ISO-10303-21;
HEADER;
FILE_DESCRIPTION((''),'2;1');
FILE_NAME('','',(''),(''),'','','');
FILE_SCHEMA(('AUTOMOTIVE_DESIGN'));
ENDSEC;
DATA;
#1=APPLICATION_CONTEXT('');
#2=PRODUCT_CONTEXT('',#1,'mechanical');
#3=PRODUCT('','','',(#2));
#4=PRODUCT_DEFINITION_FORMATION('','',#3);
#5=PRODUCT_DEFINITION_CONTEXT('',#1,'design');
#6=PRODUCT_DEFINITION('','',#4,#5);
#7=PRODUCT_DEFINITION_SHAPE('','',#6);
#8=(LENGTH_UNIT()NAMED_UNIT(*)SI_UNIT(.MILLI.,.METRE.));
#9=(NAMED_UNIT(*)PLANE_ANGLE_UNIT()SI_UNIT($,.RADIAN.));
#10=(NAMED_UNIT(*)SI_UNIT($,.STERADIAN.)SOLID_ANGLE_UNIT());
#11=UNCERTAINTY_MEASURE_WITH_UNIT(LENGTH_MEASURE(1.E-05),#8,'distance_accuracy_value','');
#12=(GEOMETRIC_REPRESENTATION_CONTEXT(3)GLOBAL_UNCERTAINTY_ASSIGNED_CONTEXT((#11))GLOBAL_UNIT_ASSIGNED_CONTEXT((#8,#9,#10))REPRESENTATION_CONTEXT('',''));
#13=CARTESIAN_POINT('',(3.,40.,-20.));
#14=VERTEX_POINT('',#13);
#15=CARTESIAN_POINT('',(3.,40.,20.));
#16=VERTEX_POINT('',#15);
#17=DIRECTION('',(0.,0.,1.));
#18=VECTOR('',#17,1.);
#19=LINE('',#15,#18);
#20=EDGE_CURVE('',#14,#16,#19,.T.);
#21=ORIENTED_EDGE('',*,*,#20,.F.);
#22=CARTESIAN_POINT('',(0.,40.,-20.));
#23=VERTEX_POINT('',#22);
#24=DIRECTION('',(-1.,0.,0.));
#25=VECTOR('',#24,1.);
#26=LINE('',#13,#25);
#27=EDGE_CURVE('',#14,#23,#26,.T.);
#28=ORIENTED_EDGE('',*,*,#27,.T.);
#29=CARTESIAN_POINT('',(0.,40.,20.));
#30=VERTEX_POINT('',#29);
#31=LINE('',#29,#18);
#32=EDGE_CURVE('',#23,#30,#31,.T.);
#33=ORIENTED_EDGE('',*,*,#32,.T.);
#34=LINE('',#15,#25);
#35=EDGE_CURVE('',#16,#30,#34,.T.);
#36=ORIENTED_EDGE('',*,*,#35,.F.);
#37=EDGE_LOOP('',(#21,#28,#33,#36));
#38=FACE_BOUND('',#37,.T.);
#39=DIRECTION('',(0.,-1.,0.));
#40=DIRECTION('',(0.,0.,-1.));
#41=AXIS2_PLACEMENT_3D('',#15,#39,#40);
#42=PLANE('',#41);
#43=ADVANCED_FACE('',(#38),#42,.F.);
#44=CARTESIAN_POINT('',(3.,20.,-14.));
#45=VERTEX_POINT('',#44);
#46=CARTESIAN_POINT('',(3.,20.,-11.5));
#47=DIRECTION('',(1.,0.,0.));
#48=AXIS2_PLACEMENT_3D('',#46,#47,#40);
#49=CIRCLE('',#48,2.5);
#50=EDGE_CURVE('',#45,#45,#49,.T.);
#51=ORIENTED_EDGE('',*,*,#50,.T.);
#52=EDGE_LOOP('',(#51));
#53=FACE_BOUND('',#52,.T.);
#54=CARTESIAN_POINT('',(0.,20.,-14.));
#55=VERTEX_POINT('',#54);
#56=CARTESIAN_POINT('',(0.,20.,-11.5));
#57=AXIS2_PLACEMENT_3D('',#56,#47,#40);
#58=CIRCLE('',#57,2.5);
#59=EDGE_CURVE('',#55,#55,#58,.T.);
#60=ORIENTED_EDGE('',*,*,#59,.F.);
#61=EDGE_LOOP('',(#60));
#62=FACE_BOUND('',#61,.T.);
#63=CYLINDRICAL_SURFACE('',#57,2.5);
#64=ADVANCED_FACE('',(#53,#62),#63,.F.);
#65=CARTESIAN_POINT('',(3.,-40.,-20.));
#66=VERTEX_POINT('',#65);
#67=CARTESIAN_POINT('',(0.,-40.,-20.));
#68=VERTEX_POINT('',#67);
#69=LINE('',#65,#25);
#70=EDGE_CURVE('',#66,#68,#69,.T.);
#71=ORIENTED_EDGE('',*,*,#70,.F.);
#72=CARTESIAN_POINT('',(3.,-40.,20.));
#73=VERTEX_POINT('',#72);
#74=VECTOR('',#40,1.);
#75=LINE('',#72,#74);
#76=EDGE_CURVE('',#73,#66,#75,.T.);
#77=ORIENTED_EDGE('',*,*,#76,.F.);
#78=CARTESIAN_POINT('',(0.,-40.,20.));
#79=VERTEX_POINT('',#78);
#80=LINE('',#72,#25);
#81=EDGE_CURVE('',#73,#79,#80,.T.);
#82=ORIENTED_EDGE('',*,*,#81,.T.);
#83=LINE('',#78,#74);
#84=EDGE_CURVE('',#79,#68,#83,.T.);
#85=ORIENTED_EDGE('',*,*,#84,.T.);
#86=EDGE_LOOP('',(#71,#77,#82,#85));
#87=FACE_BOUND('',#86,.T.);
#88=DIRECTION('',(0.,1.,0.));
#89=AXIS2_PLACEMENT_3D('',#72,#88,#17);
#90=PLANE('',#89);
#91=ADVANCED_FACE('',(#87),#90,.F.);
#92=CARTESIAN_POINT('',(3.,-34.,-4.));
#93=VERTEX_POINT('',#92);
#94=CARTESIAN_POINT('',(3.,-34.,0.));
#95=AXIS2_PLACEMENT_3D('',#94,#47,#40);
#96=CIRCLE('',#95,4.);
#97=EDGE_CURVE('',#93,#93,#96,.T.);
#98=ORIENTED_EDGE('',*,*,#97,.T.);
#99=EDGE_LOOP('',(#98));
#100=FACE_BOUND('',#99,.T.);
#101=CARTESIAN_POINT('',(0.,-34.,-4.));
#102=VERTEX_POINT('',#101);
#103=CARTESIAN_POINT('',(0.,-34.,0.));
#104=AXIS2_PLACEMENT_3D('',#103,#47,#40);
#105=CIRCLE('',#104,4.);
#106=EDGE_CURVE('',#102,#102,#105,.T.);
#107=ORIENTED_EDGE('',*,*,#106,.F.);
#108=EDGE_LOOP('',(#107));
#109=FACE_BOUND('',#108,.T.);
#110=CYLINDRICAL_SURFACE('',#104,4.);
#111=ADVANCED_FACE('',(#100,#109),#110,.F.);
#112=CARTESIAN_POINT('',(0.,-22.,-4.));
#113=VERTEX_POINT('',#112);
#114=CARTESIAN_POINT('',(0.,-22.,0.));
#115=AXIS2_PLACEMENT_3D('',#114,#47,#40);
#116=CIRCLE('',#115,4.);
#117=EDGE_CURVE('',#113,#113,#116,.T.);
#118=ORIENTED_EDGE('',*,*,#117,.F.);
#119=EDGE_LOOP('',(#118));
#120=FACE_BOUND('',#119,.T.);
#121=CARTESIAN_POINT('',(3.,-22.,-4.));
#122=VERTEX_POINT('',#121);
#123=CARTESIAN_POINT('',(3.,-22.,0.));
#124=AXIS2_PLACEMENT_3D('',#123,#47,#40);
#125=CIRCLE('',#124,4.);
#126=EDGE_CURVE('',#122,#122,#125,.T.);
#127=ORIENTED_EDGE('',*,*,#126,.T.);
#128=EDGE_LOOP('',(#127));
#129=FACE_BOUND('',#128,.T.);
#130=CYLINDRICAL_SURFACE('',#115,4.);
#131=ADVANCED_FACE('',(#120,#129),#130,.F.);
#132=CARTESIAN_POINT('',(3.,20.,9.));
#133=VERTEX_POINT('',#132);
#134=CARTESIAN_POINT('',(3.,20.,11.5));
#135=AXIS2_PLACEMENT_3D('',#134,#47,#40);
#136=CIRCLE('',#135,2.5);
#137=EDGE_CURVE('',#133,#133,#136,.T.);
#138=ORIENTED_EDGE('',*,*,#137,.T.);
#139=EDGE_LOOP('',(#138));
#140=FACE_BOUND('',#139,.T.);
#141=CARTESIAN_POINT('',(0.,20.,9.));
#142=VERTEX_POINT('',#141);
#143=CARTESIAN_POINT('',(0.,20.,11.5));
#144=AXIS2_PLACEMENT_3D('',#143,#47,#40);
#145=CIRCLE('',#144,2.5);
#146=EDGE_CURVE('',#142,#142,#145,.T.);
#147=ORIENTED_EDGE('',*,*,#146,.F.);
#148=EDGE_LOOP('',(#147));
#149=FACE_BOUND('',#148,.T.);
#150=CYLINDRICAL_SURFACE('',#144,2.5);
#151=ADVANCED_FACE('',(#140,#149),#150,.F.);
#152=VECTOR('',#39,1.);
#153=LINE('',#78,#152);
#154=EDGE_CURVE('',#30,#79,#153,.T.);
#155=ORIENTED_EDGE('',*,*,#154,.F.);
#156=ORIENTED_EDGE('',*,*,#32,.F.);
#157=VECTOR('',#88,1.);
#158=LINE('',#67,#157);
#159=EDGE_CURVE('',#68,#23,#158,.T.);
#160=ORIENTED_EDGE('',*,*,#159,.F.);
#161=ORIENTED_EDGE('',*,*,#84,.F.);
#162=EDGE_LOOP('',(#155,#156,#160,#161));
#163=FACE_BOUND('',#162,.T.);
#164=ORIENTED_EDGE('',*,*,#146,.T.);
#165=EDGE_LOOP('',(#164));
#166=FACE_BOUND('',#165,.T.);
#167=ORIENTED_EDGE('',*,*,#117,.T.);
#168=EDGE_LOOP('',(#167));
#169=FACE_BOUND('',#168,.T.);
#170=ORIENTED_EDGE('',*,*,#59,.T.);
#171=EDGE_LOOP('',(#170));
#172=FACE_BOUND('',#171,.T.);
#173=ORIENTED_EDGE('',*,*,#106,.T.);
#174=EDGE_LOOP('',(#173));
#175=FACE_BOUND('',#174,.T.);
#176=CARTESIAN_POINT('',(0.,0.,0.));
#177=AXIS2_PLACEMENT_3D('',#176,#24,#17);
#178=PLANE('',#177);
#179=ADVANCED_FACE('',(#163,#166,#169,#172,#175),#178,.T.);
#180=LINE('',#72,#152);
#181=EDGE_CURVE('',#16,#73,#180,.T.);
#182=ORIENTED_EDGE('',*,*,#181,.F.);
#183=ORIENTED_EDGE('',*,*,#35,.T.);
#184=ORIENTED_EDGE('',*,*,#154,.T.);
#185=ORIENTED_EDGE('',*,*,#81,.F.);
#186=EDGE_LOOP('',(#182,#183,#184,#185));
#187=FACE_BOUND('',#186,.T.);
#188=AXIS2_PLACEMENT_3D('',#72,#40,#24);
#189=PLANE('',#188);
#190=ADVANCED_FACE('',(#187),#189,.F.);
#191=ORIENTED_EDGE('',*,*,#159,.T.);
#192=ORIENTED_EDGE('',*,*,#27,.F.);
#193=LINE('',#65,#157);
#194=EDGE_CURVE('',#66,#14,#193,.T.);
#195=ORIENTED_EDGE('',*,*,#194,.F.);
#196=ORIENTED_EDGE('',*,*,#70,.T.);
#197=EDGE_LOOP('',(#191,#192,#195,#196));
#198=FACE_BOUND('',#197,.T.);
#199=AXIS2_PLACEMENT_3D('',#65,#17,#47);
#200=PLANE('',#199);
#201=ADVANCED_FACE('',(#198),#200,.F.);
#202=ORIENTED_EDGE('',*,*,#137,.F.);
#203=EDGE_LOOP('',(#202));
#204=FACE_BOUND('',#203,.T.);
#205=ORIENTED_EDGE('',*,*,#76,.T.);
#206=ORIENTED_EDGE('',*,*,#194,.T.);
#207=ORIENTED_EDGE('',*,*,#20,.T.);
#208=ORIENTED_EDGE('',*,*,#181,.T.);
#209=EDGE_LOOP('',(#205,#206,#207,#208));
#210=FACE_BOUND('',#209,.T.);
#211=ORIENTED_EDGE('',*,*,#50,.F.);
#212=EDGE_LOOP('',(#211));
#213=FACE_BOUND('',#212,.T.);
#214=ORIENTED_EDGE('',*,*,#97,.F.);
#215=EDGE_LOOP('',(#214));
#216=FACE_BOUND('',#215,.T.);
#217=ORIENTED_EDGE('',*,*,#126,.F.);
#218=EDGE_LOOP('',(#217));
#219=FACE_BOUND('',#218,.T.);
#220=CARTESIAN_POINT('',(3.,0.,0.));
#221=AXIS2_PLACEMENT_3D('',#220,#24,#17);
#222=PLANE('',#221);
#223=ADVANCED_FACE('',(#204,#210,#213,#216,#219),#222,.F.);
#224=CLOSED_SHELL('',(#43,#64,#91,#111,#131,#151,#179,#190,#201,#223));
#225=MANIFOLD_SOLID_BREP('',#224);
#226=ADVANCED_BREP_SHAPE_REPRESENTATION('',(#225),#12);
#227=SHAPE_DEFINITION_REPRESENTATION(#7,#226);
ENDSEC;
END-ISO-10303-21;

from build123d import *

# Parameters (mm, degrees)
SKETCH1_W           = 40
SKETCH1_H           = 80
BOSS_EXTRUDE1_DEPTH = 3
SKETCH2_R           = 4
SKETCH2_R_2         = 2.5
CUT_EXTRUDE1_DEPTH  = 45.821869662


with BuildPart() as part:
    # Sketch1 → Boss-Extrude1 (new body)
    with BuildSketch(Plane(origin=(0, 0, 0), x_dir=(0, 0, -1), z_dir=(1, 0, 0))):
        Rectangle(SKETCH1_W, SKETCH1_H)
    extrude(amount=BOSS_EXTRUDE1_DEPTH)

    # Sketch2 → Cut-Extrude1 (cut, through all)
    with BuildSketch(Plane(origin=(3, 0, 0), x_dir=(0, 0, -1), z_dir=(1, 0, 0))):
        with Locations((0, -22)):
            Circle(SKETCH2_R)
        with Locations((0, -34)):
            Circle(SKETCH2_R)
        with Locations((-11.5, 20)):
            Circle(SKETCH2_R_2)
        with Locations((11.5, 20)):
            Circle(SKETCH2_R_2)
    extrude(amount=-CUT_EXTRUDE1_DEPTH, mode=Mode.SUBTRACT)


solid = part.part
